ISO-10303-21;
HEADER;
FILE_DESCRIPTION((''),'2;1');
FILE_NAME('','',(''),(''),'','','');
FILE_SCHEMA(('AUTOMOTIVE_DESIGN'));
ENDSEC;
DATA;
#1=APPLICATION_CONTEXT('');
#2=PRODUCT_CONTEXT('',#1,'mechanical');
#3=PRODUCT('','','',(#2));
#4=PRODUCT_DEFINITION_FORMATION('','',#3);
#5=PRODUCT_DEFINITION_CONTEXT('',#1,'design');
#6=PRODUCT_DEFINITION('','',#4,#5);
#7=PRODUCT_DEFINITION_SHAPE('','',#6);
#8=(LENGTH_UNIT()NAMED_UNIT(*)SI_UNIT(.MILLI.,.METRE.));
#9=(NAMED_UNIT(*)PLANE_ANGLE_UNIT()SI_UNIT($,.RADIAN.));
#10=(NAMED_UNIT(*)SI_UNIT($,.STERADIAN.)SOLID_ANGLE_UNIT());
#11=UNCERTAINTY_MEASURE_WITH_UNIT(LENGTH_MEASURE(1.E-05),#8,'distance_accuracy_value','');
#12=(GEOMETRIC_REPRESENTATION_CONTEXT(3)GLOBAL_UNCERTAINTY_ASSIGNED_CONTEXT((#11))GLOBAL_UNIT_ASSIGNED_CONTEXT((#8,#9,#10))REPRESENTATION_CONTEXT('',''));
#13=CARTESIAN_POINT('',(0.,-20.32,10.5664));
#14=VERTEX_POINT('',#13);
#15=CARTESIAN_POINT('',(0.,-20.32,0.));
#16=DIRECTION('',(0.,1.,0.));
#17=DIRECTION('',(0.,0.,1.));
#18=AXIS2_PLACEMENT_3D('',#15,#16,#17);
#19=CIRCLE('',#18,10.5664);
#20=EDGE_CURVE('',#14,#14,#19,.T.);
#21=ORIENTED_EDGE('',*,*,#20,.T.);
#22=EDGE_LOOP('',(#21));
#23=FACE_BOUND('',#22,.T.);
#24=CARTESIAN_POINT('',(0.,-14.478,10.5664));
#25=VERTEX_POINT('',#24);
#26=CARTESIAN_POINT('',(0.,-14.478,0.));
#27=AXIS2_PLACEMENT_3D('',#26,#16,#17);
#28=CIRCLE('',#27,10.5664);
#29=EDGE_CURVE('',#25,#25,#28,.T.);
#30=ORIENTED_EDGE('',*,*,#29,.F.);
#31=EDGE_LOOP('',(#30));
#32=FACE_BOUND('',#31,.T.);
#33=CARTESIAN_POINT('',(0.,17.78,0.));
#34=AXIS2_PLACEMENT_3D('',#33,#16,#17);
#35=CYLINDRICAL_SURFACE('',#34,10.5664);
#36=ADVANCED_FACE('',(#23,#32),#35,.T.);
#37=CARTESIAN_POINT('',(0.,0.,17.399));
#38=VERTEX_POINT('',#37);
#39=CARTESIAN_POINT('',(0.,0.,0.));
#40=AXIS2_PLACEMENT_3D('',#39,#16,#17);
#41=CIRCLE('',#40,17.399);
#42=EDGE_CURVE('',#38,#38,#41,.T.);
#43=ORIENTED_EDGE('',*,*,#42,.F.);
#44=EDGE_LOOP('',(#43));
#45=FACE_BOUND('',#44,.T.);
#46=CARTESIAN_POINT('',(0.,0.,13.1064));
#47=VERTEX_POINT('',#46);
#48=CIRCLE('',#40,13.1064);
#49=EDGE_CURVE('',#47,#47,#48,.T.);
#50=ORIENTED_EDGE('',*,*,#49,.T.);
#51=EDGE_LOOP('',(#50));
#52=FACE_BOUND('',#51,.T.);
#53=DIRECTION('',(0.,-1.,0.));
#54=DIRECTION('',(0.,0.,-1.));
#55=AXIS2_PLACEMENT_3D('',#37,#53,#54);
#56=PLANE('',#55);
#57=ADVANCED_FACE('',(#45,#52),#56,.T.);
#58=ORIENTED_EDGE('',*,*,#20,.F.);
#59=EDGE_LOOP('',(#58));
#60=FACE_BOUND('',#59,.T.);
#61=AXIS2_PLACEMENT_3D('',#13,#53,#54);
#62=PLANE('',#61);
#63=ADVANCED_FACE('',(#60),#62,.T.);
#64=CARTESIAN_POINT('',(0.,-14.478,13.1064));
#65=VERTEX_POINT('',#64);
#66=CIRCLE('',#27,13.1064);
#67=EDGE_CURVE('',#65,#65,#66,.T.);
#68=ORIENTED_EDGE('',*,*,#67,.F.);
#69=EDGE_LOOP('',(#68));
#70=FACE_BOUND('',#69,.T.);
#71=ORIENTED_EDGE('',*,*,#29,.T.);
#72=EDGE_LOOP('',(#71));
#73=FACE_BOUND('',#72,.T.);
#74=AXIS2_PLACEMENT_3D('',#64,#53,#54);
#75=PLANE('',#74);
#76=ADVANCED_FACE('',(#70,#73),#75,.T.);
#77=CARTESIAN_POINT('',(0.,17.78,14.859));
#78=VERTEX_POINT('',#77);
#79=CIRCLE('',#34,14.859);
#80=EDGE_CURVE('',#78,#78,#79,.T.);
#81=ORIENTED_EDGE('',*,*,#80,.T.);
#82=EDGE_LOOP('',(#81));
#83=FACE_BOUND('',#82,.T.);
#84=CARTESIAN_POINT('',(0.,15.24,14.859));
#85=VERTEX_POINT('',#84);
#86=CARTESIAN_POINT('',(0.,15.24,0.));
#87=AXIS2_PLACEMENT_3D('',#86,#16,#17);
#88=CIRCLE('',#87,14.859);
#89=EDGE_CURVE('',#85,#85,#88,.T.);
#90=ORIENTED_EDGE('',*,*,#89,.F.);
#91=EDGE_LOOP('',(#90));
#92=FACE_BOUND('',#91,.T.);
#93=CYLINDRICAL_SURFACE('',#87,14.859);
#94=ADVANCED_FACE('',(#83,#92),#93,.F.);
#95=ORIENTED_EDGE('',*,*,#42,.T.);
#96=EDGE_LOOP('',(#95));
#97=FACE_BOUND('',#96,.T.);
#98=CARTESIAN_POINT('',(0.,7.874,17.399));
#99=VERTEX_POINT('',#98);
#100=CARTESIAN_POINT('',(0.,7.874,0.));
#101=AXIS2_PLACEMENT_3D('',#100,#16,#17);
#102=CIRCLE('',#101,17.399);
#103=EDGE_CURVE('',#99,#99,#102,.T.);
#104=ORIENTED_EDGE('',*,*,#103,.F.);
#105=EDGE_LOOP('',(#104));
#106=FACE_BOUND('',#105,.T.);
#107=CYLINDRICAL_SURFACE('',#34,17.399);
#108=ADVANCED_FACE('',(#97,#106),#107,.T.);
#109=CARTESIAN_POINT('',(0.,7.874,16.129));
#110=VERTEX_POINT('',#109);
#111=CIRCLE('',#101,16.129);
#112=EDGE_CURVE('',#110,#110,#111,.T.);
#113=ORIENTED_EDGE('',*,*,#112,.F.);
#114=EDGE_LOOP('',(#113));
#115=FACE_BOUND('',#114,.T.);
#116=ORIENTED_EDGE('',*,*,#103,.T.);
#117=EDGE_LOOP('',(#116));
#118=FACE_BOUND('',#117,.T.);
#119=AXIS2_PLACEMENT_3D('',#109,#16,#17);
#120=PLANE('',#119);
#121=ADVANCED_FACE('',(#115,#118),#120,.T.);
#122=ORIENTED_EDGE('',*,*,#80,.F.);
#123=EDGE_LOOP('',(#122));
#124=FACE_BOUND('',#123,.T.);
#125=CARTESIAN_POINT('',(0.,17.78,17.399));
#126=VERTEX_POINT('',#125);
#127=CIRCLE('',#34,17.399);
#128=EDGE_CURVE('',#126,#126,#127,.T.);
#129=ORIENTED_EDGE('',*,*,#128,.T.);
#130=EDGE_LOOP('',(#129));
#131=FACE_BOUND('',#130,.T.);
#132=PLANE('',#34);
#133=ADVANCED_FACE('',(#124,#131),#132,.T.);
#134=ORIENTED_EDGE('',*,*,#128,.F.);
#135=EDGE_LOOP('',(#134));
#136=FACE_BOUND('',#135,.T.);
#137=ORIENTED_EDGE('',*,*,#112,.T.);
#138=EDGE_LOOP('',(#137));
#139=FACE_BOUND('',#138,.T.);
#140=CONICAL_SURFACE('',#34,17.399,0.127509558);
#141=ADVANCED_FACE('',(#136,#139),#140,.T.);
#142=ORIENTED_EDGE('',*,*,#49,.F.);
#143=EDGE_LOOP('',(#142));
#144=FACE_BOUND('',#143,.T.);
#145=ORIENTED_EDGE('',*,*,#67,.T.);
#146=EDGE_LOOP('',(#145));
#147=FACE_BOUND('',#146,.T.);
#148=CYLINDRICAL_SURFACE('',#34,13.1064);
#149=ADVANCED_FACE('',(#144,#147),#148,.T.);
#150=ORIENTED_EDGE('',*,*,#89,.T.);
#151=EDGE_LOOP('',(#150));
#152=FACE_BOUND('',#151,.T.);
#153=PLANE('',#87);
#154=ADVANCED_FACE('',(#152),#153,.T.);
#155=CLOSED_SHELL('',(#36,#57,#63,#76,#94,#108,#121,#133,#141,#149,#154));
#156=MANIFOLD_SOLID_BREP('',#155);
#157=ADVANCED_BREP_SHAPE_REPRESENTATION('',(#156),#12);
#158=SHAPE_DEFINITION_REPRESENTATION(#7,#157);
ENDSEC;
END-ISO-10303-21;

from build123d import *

# Parameters (mm, degrees)
SKETCH2_R          = 14.859
CUT_EXTRUDE1_DEPTH = 2.54


with BuildPart() as part:
    # Sketch1 → Revolve1 (revolve)
    with BuildSketch(Plane(origin=(0, 0, 0), x_dir=(0, 0, -1), z_dir=(1, 0, 0))):
        Polygon((0, 17.78), (-17.399, 17.78), (-16.129, 7.874), (-17.399, 7.874), (-17.399, 0), (-13.1064, 0), (-13.1064, -14.478), (-10.5664, -14.478), (-10.5664, -20.32), (0, -20.32), align=None)
    revolve(axis=Axis((0, 17.78, 0), (0, -1, 0)))

    # Sketch2 → Cut-Extrude1 (cut)
    with BuildSketch(Plane(origin=(0, 17.78, 0), x_dir=(1, 0, 0), z_dir=(0, 1, 0))):
        with Locations(Location((0, 0, 0), (0, 0, 270))):
            Circle(SKETCH2_R)
    extrude(amount=-CUT_EXTRUDE1_DEPTH, mode=Mode.SUBTRACT)


solid = part.part
